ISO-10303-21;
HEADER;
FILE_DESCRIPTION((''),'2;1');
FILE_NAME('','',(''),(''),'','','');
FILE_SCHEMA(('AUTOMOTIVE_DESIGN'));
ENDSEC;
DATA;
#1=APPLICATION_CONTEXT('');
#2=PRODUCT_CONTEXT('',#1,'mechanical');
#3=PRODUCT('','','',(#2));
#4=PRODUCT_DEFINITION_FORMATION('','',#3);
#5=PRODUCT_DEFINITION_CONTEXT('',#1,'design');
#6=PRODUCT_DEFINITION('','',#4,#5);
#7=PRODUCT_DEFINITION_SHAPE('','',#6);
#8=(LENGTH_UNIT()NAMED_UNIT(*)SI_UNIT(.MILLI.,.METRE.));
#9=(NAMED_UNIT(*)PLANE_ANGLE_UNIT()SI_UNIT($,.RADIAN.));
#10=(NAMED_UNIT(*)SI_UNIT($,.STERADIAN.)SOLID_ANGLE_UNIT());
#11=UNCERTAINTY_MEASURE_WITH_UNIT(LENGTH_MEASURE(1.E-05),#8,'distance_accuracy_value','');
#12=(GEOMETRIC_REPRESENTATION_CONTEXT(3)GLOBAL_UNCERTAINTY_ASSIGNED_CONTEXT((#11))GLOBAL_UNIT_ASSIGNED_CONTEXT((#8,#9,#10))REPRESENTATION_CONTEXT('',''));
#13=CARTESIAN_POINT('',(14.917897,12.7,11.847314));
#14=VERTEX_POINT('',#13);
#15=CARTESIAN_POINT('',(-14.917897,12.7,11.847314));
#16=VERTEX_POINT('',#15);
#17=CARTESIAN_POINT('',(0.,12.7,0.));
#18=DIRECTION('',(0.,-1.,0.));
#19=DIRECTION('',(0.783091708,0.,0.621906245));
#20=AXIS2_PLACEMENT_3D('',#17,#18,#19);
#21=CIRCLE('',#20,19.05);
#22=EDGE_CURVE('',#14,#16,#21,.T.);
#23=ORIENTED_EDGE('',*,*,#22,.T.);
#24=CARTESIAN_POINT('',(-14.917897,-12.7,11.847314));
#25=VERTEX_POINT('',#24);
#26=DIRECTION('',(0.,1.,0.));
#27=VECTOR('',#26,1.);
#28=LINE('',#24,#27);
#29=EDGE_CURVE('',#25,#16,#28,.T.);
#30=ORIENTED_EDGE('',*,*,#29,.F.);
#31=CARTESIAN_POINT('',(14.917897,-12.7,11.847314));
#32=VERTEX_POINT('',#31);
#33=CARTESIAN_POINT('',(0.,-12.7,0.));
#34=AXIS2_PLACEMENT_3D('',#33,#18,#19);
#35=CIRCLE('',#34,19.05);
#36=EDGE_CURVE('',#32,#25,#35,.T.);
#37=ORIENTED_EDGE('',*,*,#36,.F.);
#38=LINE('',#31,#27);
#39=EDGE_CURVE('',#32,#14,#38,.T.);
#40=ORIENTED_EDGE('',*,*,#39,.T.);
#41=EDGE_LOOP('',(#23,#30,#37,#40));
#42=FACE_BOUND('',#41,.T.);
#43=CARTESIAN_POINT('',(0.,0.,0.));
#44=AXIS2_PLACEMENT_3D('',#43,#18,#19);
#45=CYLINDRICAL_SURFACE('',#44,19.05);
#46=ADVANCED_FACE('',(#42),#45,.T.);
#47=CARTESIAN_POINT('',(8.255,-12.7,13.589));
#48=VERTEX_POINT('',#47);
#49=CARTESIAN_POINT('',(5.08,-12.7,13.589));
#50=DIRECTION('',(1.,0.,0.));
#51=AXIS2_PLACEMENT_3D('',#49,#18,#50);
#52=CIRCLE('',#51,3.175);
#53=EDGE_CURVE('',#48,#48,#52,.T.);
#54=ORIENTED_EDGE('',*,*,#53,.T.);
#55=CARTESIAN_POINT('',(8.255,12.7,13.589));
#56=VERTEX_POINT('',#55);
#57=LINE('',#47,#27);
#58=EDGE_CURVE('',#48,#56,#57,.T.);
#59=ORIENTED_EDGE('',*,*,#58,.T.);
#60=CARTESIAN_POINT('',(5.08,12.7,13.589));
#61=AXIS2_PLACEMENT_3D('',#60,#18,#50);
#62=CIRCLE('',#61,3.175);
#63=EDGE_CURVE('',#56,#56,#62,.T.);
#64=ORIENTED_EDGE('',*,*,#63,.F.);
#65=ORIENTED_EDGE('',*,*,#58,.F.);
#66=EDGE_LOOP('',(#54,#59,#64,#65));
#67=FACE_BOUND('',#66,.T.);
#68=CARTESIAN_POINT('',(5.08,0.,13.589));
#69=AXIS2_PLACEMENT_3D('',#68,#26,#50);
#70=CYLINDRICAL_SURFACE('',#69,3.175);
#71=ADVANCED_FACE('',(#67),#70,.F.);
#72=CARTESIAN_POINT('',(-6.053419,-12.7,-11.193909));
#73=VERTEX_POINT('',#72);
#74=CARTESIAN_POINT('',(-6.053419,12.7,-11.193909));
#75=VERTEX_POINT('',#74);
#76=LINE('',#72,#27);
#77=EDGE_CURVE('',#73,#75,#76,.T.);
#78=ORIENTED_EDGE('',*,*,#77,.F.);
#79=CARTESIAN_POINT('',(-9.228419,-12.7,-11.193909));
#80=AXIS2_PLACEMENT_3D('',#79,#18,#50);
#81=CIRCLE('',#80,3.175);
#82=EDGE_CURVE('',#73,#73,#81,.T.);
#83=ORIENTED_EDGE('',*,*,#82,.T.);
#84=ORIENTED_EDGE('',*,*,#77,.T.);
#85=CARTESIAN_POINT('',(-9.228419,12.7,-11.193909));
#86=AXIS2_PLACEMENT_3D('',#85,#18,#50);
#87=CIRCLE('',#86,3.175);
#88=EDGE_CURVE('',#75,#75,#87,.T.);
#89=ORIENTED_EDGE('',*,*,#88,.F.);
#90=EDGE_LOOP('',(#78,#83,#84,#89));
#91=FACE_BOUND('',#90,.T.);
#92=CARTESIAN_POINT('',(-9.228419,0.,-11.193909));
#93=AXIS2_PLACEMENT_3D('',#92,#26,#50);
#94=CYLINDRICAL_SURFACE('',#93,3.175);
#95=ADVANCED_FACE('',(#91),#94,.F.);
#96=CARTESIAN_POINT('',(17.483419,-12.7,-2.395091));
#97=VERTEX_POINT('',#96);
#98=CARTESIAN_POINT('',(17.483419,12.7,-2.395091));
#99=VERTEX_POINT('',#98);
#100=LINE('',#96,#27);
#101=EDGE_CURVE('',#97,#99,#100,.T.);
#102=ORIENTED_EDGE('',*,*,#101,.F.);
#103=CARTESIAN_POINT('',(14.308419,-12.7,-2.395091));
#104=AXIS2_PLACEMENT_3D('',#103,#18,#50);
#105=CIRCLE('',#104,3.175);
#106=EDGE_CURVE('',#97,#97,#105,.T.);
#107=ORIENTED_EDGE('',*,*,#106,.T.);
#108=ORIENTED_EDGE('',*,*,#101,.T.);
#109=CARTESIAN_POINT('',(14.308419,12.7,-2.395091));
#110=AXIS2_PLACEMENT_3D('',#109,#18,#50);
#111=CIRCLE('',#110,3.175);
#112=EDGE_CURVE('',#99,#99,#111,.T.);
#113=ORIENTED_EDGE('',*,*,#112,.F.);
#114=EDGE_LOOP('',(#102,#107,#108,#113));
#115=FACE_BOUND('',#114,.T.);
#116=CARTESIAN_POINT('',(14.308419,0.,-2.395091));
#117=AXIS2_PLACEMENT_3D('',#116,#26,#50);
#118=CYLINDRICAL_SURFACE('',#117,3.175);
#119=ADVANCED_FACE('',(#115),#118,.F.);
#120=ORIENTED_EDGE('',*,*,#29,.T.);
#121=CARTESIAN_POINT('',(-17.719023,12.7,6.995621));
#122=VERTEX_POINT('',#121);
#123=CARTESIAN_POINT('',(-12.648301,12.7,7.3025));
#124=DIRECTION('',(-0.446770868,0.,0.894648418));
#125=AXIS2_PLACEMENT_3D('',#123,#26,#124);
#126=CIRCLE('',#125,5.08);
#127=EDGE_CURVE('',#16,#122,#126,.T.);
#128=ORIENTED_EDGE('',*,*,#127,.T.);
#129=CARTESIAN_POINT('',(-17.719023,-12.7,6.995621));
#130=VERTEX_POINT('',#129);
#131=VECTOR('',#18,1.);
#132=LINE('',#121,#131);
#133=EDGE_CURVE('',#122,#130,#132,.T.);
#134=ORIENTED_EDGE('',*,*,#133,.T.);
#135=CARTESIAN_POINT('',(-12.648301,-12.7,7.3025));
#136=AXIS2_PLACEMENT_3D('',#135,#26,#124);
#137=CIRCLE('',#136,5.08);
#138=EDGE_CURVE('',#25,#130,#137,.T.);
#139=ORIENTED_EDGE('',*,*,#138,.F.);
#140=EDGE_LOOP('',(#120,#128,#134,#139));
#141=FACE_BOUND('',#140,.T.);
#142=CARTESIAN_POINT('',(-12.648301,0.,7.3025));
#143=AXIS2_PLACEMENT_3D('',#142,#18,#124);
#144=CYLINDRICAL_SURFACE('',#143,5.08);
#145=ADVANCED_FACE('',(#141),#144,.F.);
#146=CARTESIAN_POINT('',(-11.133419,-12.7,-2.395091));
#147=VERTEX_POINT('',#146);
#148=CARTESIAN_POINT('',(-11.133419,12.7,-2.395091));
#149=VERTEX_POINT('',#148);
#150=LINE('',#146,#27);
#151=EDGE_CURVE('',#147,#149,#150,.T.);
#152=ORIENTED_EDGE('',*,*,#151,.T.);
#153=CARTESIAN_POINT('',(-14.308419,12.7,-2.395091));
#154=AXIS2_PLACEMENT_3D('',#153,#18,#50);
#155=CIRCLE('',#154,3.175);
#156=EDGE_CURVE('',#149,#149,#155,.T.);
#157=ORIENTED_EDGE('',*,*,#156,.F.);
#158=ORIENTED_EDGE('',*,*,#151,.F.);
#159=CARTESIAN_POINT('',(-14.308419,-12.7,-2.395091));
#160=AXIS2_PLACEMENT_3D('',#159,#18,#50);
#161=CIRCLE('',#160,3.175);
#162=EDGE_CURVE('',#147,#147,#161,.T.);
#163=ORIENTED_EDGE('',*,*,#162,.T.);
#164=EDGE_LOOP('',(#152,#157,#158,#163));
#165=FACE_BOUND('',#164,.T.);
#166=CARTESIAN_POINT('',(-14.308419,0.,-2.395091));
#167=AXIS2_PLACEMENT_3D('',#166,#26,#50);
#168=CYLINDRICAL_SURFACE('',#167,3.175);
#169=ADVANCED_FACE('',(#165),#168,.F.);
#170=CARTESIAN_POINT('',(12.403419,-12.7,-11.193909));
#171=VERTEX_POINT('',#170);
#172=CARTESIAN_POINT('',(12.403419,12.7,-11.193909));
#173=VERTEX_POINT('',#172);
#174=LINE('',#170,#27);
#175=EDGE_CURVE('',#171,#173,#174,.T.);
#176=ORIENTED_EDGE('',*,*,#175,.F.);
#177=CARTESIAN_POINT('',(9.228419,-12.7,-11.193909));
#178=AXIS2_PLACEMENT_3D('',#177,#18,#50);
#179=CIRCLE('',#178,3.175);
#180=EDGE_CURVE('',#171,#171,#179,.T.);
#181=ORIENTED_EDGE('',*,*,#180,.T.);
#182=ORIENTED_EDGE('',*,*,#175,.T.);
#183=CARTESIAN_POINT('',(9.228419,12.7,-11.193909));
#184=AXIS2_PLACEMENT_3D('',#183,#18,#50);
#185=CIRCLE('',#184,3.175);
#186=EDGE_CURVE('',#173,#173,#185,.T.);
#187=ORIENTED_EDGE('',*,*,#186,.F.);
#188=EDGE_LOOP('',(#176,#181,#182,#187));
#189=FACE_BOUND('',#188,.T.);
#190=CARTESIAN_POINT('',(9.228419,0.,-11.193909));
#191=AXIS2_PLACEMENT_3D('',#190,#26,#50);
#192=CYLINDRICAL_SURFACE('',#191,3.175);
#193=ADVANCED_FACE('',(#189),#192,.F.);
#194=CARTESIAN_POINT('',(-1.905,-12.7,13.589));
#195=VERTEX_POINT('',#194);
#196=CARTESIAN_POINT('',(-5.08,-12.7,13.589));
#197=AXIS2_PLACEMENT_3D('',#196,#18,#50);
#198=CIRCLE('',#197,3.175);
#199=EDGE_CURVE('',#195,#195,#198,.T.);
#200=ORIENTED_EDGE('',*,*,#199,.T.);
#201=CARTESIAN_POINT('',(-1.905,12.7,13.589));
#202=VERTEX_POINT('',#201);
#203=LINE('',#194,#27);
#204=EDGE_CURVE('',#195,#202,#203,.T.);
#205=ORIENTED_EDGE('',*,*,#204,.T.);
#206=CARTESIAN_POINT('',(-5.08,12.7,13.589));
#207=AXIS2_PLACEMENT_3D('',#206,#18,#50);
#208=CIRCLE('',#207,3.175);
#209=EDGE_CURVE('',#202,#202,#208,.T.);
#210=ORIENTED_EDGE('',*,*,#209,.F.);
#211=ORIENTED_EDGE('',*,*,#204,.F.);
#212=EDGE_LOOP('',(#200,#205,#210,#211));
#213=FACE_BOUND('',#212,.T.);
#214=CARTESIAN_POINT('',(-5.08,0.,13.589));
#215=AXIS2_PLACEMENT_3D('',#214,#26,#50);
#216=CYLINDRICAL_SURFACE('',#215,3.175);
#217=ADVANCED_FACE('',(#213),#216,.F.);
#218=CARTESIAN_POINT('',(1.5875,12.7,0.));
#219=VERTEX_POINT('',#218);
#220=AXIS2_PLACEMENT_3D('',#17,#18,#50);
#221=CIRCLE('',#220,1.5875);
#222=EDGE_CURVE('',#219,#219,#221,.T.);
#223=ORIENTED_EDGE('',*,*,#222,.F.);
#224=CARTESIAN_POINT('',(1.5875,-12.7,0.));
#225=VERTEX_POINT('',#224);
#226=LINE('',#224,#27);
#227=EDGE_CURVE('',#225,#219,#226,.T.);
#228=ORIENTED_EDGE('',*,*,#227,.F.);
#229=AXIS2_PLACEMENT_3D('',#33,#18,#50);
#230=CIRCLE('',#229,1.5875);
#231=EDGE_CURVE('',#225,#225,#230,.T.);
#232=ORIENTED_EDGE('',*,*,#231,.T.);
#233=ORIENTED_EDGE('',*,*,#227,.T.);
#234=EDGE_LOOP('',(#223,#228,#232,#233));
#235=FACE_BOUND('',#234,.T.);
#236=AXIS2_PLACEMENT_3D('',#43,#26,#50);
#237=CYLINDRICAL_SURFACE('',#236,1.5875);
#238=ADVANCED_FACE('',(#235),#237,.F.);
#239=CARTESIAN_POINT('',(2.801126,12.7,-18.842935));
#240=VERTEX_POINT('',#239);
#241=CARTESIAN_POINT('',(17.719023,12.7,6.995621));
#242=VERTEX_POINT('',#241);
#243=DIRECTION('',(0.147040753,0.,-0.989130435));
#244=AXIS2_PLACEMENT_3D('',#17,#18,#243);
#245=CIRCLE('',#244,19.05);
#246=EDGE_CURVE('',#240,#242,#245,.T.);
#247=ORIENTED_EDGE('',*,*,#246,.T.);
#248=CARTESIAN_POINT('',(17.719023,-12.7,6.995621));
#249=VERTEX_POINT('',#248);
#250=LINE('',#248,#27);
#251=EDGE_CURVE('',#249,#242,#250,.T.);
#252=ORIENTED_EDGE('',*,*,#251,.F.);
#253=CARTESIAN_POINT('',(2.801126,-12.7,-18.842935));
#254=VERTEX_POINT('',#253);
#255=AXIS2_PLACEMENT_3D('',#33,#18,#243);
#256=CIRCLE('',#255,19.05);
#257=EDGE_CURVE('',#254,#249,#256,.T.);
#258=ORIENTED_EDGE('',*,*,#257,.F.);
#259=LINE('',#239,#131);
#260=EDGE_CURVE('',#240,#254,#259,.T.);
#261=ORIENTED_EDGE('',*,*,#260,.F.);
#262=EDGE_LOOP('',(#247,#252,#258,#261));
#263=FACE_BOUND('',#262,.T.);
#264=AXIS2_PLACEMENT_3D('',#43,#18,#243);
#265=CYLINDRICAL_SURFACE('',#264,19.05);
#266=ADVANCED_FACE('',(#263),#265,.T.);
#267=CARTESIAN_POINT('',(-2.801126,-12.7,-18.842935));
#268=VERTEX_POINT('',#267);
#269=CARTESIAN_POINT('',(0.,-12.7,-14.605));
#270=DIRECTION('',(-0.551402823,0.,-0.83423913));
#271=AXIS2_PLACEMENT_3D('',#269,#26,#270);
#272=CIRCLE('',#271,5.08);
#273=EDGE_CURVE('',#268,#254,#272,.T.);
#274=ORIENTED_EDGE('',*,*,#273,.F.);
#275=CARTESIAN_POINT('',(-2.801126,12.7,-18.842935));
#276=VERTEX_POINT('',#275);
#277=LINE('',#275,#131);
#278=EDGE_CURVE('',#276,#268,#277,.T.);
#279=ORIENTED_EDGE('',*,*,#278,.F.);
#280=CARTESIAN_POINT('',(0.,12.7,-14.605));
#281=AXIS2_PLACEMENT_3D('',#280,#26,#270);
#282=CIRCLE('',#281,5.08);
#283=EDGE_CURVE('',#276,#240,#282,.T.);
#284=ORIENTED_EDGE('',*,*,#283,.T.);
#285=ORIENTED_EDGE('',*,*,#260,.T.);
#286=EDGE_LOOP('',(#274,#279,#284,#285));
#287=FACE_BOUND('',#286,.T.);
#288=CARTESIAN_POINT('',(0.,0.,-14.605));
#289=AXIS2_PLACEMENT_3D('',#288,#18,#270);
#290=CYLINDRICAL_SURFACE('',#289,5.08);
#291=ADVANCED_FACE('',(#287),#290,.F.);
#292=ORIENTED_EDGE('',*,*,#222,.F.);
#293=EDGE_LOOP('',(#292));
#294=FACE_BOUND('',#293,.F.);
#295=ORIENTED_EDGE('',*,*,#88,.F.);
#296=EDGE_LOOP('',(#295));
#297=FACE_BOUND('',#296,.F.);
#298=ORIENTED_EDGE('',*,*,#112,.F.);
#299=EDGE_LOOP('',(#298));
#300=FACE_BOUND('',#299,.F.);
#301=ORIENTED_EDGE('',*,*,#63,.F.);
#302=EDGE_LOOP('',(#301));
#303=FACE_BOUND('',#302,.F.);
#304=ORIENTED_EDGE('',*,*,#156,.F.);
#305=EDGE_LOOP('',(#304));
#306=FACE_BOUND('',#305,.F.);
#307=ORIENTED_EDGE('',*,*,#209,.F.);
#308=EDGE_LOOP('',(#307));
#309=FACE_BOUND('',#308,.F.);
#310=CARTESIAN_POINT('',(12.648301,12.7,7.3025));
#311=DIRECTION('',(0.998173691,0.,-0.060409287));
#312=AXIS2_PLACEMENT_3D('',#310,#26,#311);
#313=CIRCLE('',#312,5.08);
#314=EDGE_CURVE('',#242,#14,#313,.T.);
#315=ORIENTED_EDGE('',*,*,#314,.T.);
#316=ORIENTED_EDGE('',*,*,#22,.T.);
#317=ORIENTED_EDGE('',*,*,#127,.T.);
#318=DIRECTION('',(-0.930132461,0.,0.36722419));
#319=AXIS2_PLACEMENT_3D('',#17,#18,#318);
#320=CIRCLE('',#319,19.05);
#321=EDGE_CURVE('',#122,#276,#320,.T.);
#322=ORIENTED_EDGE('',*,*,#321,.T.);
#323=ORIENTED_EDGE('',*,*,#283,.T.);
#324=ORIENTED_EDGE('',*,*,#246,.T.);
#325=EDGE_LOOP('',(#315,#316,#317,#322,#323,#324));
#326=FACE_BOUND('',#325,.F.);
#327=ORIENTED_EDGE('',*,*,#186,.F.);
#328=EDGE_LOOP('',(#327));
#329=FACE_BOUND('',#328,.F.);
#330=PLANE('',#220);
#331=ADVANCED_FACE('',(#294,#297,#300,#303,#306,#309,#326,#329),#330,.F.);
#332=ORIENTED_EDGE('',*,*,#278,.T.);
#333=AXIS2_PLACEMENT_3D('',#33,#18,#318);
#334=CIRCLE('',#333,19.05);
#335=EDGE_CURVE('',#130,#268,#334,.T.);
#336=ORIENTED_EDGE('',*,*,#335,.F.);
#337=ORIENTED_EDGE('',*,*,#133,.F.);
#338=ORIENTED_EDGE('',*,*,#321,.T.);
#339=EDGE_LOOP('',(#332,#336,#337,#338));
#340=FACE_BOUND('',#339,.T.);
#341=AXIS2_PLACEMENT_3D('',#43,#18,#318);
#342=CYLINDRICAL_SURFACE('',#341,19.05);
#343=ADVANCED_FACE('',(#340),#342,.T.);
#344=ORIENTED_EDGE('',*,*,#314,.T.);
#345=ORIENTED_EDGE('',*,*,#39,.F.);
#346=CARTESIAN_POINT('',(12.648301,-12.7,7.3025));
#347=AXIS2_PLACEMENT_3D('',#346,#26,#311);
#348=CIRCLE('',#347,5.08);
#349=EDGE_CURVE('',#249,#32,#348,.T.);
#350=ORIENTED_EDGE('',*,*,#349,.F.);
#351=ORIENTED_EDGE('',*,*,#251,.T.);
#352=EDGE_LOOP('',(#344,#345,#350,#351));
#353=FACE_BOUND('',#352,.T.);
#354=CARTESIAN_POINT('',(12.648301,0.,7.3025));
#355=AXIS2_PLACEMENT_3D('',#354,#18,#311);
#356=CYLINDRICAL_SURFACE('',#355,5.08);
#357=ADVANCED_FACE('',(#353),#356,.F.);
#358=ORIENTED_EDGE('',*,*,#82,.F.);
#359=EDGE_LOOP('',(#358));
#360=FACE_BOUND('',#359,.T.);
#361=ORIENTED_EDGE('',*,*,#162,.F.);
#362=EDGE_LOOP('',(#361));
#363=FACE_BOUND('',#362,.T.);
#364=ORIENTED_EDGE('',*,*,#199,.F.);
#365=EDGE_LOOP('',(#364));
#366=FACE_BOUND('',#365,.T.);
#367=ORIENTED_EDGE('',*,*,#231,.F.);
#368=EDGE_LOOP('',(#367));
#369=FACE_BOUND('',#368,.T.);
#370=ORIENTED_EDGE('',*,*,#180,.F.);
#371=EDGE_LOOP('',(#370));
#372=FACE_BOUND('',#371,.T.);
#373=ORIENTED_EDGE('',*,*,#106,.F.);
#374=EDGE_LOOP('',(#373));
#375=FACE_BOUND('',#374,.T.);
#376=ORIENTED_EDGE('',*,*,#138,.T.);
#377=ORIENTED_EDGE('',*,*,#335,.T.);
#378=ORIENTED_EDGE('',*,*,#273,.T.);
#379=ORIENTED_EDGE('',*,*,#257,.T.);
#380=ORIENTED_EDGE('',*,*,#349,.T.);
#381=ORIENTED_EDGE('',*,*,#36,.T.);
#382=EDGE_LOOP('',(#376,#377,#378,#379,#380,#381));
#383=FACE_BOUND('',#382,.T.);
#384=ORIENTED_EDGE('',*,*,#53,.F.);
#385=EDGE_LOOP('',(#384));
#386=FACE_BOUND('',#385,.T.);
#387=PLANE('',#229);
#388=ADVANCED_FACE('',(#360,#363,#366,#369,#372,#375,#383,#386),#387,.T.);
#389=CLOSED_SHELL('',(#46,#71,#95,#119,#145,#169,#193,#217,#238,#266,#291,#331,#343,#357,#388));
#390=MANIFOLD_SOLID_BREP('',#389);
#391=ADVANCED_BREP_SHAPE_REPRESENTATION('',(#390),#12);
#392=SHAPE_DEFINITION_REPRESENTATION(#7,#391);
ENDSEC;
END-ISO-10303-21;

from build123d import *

# Parameters (mm, degrees)
F0_R     = 3.175
F0_R_2   = 1.5875
F1_DEPTH = 12.7


with BuildPart() as f1:
    # F0 (on Front) → F1 (new body, symmetric)
    with BuildSketch(Plane.XZ):
        with BuildLine():
            ThreePointArc((-14.9178970331, 11.8473139618), (-8.248891971, 4.7625), (-17.7190233741, 6.9956208208))
            ThreePointArc((-17.7190233741, 6.9956208208), (-16.4977839421, -9.525), (-2.801126341, -18.8429347826))
            ThreePointArc((-2.801126341, -18.8429347826), (0, -9.525), (2.801126341, -18.8429347826))
            ThreePointArc((2.801126341, -18.8429347826), (16.4977839421, -9.525), (17.7190233741, 6.9956208208))
            ThreePointArc((17.7190233741, 6.9956208208), (8.248891971, 4.7625), (14.9178970331, 11.8473139618))
            ThreePointArc((14.9178970331, 11.8473139618), (0, 19.05), (-14.9178970331, 11.8473139618))
        make_face()
        with Locations((-9.228419212, -11.1939090512)):
            Circle(F0_R, mode=Mode.SUBTRACT)
        with Locations((-14.308419212, -2.3950909488)):
            Circle(F0_R, mode=Mode.SUBTRACT)
        with Locations((9.228419212, -11.1939090512)):
            Circle(F0_R, mode=Mode.SUBTRACT)
        Circle(F0_R_2, mode=Mode.SUBTRACT)
        with Locations((14.308419212, -2.3950909488)):
            Circle(F0_R, mode=Mode.SUBTRACT)
        with Locations((-5.08, 13.589)):
            Circle(F0_R, mode=Mode.SUBTRACT)
        with Locations((5.08, 13.589)):
            Circle(F0_R, mode=Mode.SUBTRACT)
    extrude(amount=F1_DEPTH, both=True)


solid = f1.part
